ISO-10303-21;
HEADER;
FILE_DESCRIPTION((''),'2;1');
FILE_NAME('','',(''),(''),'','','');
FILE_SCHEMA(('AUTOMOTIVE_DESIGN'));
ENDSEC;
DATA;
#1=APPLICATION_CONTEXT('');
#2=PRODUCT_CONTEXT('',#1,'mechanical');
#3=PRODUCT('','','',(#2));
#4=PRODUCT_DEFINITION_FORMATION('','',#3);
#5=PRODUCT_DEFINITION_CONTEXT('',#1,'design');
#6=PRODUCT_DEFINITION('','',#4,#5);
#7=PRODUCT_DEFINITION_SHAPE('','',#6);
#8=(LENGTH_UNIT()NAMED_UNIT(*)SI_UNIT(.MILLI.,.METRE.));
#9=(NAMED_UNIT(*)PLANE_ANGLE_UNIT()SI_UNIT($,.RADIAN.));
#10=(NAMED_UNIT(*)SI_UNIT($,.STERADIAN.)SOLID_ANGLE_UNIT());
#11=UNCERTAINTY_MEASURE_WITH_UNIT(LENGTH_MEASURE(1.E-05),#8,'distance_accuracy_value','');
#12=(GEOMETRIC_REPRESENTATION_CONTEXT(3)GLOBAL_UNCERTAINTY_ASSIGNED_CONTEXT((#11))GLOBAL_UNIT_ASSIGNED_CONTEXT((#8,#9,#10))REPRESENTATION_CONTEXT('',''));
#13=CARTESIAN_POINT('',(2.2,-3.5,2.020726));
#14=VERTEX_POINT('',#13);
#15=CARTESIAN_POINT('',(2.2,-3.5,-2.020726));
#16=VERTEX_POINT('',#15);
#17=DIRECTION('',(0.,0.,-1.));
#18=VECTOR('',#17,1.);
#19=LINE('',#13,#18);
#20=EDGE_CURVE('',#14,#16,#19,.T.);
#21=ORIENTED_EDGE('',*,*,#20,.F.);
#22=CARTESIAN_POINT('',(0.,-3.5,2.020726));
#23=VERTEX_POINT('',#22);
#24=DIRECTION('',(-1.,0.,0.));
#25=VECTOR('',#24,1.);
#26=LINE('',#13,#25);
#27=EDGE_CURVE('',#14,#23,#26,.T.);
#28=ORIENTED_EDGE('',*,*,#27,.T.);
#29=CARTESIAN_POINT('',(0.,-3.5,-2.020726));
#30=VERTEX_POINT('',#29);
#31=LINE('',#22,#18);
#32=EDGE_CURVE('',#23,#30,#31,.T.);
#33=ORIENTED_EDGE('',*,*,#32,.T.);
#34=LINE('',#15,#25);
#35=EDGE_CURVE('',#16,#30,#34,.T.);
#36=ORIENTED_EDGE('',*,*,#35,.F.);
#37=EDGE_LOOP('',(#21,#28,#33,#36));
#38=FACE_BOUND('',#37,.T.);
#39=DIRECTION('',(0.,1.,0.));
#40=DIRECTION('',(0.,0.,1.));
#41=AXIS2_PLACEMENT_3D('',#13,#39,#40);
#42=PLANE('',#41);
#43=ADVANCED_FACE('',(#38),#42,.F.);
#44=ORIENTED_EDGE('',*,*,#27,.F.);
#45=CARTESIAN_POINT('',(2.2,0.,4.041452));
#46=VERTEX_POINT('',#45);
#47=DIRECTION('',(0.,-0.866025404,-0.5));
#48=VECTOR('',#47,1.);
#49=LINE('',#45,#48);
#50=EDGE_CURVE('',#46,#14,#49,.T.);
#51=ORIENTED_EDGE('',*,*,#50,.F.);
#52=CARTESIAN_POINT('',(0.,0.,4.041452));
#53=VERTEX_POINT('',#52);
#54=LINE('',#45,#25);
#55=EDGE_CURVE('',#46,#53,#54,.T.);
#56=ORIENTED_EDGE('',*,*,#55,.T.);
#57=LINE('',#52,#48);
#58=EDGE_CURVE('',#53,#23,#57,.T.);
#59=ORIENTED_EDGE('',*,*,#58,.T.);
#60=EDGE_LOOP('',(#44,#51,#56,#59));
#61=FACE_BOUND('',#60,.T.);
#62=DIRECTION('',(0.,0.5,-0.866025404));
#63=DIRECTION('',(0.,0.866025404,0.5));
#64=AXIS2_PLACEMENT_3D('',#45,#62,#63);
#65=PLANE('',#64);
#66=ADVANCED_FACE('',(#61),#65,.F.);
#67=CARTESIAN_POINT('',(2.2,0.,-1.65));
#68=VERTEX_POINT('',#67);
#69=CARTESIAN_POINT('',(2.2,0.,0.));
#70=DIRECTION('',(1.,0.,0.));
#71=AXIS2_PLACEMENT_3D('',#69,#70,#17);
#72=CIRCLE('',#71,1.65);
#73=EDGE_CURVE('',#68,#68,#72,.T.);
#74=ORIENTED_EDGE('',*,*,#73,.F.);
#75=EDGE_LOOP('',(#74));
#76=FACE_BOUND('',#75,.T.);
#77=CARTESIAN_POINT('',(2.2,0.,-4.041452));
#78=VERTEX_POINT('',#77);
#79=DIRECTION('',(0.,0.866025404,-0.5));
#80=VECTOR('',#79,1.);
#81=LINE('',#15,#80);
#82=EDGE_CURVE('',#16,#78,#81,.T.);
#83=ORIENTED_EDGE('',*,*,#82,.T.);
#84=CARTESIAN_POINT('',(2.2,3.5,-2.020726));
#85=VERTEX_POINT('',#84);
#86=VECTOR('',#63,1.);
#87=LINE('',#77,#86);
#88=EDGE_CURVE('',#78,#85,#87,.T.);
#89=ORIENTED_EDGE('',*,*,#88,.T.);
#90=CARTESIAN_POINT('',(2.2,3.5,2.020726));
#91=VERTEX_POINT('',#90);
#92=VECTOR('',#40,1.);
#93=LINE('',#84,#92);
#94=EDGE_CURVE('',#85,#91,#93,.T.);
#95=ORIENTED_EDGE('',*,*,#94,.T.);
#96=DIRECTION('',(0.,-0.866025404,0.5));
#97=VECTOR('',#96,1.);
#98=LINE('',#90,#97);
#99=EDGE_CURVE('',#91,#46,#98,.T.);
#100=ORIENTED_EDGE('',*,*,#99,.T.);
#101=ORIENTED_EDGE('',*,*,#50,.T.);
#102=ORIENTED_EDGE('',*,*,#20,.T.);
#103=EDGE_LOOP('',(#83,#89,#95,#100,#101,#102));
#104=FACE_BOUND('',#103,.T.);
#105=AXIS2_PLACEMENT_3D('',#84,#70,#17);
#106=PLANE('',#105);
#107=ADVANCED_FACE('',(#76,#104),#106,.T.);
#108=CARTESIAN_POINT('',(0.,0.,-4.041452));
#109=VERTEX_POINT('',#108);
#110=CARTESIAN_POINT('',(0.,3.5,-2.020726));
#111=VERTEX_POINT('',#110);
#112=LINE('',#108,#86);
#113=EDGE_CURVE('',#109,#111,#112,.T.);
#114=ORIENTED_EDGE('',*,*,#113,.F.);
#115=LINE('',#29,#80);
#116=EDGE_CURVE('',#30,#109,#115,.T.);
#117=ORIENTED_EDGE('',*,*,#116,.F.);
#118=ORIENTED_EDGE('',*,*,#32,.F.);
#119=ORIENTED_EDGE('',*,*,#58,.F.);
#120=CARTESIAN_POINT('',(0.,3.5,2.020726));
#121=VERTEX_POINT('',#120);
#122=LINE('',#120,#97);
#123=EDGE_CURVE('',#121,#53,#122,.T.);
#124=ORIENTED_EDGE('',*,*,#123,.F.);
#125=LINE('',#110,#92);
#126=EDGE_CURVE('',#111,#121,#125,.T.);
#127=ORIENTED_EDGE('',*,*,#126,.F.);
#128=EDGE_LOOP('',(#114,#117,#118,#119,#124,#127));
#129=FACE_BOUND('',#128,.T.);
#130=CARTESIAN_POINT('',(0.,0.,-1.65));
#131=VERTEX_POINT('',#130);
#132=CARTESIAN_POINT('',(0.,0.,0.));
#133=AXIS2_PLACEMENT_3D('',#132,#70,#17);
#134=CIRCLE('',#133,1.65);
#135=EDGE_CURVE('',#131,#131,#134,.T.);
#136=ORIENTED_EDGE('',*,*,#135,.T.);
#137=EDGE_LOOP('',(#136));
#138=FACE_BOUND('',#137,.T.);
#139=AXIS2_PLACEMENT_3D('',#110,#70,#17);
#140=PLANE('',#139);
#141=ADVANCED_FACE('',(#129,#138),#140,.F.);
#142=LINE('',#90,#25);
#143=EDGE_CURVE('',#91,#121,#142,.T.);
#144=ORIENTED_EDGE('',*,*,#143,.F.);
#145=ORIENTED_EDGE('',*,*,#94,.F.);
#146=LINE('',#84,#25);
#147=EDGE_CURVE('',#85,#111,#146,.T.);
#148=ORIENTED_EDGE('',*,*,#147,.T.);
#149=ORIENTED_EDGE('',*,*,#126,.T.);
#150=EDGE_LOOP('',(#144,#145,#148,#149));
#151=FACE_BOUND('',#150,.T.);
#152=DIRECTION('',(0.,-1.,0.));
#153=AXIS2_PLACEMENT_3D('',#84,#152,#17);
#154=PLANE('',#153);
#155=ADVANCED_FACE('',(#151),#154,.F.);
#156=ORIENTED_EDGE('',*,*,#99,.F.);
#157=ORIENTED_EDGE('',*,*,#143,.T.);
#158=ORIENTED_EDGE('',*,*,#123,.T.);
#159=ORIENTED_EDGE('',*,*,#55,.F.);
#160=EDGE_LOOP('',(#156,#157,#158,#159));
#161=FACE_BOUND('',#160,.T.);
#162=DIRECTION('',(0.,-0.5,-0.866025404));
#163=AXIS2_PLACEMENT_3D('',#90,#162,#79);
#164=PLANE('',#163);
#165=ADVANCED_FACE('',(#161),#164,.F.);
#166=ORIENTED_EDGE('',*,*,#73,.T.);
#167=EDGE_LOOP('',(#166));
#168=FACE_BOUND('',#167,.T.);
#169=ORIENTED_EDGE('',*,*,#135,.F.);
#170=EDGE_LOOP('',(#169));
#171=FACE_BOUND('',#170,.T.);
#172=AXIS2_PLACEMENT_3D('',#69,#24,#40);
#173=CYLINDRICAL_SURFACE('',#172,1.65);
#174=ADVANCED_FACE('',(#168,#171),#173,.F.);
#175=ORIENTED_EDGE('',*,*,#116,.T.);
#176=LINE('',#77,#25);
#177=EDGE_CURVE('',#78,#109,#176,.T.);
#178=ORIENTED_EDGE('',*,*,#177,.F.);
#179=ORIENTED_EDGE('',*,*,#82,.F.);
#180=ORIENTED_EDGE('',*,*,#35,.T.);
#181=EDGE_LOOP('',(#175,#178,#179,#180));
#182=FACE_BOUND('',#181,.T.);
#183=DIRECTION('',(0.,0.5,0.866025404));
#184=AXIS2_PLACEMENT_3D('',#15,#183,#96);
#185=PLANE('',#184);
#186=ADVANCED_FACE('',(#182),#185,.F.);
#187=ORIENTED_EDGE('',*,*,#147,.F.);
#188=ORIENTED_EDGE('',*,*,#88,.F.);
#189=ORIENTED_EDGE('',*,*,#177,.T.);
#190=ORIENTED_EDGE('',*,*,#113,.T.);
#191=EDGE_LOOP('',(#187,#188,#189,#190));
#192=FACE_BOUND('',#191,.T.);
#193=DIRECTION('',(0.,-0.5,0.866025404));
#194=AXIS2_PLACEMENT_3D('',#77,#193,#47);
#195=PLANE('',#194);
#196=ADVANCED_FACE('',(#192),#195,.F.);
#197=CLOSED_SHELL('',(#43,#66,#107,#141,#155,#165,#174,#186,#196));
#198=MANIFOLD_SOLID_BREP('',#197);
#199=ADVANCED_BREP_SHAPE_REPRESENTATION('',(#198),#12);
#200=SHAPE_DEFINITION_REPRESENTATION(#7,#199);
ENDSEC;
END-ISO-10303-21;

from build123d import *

# Parameters (mm, degrees)
BASENUTSKETCH_R = 1.65
BASENUT_DEPTH   = 2.2


with BuildPart() as part:
    # BaseNutSketch → BaseNut (new body)
    with BuildSketch(Plane(origin=(0, 0, 0), x_dir=(0, 0, -1), z_dir=(1, 0, 0))):
        Polygon((2.020725942, 3.5), (-2.020725942, 3.5), (-4.041451884, 0), (-2.020725942, -3.5), (2.020725942, -3.5), (4.041451884, 0), align=None)
        Circle(BASENUTSKETCH_R, mode=Mode.SUBTRACT)
    extrude(amount=BASENUT_DEPTH)


solid = part.part
